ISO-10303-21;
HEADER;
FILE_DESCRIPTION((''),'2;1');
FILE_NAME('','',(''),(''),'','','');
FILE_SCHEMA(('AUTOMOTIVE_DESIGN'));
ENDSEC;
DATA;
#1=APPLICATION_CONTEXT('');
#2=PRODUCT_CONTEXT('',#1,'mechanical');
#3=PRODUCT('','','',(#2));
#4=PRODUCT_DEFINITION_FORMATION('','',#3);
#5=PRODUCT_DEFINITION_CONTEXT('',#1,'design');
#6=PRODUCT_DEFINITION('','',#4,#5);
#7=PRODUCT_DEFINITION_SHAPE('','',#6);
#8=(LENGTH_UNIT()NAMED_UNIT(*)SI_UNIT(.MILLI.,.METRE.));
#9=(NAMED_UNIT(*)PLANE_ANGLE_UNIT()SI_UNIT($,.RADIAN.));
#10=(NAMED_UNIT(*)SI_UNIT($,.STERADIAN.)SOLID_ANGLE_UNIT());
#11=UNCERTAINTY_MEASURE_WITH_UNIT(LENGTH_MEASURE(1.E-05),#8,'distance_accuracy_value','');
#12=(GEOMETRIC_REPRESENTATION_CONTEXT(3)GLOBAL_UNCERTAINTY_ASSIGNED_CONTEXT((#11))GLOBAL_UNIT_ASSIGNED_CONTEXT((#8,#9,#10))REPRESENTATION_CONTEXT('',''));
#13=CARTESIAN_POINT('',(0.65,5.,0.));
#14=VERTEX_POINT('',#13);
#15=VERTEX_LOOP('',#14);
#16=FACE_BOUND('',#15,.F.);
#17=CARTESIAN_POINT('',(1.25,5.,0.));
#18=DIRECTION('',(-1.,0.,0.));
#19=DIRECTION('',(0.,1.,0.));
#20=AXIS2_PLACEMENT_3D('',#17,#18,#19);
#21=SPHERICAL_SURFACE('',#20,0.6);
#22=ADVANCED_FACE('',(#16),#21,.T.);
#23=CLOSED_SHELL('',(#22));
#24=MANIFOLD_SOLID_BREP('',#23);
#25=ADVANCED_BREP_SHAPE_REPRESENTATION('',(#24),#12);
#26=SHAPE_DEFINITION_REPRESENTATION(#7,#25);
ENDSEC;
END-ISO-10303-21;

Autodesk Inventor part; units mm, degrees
ref_plane "YZ Plane" through (0, 0, 0) normal (1, 0, 0) x (0, 1, 0)
ref_plane "XZ Plane" through (0, 0, 0) normal (0, 1, 0) x (-1, 0, 0)
ref_plane "XY Plane" through (0, 0, 0) normal (0, 0, 1) x (1, 0, 0)
sketch "Sketch_6" plane through (0, 0, 0) normal (0, 0, 1) x (1, 0, 0)
  line L0 (1.85, 5) -> (0.65, 5)
  arc A0 (1.85, 5) -> (0.65, 5) centre (1.25, 5) ccw
  line L1 (1.85, 5) -> (0.65, 5)
  dimension "d0" = 360
revolve "Revolution1" add sketch "Sketch_6" angle 360 about axis through (1.85, 5, 0) along (1, 0, 0)
properties part number "SKF_W 617/8_PART3"
